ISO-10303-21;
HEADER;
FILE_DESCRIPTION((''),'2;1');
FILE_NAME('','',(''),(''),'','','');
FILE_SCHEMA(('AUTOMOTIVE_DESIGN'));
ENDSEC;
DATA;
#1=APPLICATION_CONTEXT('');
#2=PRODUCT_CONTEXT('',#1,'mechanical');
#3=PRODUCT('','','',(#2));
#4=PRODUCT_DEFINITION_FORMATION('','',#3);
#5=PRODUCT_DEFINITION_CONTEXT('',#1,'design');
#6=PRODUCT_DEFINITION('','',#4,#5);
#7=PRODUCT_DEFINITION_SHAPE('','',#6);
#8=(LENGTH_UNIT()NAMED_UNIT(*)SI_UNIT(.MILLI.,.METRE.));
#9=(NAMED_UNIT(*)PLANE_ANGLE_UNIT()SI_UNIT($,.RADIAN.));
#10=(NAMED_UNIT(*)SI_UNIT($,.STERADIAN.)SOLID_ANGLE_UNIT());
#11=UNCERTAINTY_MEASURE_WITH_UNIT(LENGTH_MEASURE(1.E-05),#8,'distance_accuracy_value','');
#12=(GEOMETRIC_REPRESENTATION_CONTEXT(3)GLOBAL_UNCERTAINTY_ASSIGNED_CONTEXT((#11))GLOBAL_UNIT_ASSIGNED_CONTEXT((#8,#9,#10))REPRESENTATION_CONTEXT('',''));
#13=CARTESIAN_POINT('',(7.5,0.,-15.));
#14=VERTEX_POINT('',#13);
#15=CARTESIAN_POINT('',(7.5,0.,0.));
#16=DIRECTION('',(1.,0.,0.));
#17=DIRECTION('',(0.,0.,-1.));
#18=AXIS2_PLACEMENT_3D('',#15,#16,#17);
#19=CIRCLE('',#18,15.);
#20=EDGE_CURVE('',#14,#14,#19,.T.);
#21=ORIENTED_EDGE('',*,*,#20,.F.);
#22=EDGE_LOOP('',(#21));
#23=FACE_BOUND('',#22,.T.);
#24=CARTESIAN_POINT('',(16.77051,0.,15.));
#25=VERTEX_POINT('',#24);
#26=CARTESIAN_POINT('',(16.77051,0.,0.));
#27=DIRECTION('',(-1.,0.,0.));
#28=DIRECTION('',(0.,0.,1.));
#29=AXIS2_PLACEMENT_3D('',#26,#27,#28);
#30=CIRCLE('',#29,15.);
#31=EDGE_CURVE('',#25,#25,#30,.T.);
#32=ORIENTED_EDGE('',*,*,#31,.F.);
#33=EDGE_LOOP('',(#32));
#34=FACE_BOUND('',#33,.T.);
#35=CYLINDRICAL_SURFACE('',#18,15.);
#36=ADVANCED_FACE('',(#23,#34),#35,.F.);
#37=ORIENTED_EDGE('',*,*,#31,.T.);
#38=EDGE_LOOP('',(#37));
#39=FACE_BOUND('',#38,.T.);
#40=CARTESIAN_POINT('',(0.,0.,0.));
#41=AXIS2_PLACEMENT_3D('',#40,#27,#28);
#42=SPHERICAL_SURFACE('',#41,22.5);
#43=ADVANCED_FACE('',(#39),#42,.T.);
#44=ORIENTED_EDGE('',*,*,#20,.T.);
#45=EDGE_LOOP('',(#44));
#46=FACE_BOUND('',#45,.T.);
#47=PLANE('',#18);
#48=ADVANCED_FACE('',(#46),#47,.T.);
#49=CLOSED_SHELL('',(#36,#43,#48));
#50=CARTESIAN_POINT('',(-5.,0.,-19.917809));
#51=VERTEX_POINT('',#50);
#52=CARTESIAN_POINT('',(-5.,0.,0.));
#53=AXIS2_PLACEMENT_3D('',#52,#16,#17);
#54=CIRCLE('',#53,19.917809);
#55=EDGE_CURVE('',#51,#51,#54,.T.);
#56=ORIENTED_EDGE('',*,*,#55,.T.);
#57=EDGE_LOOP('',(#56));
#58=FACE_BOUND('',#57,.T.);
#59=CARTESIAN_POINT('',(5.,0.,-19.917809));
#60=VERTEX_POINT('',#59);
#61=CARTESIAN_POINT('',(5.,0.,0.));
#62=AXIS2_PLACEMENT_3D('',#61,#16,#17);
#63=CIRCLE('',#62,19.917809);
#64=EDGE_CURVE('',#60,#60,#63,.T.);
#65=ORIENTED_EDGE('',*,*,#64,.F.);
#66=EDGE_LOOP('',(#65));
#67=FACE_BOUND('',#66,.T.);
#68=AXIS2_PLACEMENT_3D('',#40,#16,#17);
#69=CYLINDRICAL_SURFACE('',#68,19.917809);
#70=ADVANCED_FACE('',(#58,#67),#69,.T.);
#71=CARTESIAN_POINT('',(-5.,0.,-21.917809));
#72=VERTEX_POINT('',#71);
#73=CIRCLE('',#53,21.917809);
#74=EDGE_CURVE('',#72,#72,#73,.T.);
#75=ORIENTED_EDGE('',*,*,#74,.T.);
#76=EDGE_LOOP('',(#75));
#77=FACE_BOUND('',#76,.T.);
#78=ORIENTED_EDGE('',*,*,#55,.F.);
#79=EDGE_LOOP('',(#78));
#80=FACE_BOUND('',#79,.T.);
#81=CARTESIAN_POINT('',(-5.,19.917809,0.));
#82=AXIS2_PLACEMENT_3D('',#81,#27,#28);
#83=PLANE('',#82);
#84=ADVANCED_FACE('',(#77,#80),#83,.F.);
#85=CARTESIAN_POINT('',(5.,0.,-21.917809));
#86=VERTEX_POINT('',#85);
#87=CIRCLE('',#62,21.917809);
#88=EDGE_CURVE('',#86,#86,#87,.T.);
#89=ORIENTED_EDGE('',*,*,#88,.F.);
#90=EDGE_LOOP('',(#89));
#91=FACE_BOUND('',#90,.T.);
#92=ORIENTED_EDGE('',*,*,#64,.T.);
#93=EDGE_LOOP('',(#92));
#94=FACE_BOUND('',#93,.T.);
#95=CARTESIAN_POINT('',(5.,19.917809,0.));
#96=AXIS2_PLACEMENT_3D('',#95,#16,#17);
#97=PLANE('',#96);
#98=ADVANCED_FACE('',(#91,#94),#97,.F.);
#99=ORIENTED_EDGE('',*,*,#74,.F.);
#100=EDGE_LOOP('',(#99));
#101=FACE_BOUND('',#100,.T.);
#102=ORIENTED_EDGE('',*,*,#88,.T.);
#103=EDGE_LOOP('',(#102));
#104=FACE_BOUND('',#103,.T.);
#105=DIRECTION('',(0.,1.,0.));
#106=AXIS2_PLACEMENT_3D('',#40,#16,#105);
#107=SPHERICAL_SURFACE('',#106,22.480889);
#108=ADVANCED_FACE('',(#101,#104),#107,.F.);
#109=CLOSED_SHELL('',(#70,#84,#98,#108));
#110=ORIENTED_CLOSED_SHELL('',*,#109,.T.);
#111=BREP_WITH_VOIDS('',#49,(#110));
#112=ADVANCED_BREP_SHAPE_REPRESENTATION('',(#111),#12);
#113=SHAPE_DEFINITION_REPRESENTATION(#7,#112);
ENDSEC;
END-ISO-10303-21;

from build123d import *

# Parameters (mm, degrees)
SKETCH4_R          = 15
CUT_EXTRUDE1_DEPTH = 15


with BuildPart() as part:
    # Sketch1 → Revolve1 (revolve)
    with BuildSketch(Plane.XY):
        with BuildLine():
            Line((0, 22.5), (0, -22.5))
            ThreePointArc((0, -22.5), (22.5, 0), (0, 22.5))
        make_face()
    revolve(axis=Axis((0, 22.5, 0), (0, -1, 0)))

    # Sketch2 → Cut-Revolve6 (revolve, cut)
    with BuildSketch(Plane.XY):
        with BuildLine():
            Line((5, 19.917809385), (-5, 19.917809385))
            Line((-5, 19.917809385), (-5, 21.917809385))
            ThreePointArc((-5, 21.917809385), (0, 22.480888956), (5, 21.917809385))
            Line((5, 21.917809385), (5, 19.917809385))
        make_face()
    revolve(axis=Axis((0, 0, 0), (-1, 0, 0)), mode=Mode.SUBTRACT)

    # Sketch4 → Cut-Extrude1 (cut)
    with BuildSketch(Plane(origin=(22.5, 0, 0), x_dir=(0, 0, -1), z_dir=(1, 0, 0))):
        Circle(SKETCH4_R)
    extrude(amount=-CUT_EXTRUDE1_DEPTH, mode=Mode.SUBTRACT)


solid = part.part
